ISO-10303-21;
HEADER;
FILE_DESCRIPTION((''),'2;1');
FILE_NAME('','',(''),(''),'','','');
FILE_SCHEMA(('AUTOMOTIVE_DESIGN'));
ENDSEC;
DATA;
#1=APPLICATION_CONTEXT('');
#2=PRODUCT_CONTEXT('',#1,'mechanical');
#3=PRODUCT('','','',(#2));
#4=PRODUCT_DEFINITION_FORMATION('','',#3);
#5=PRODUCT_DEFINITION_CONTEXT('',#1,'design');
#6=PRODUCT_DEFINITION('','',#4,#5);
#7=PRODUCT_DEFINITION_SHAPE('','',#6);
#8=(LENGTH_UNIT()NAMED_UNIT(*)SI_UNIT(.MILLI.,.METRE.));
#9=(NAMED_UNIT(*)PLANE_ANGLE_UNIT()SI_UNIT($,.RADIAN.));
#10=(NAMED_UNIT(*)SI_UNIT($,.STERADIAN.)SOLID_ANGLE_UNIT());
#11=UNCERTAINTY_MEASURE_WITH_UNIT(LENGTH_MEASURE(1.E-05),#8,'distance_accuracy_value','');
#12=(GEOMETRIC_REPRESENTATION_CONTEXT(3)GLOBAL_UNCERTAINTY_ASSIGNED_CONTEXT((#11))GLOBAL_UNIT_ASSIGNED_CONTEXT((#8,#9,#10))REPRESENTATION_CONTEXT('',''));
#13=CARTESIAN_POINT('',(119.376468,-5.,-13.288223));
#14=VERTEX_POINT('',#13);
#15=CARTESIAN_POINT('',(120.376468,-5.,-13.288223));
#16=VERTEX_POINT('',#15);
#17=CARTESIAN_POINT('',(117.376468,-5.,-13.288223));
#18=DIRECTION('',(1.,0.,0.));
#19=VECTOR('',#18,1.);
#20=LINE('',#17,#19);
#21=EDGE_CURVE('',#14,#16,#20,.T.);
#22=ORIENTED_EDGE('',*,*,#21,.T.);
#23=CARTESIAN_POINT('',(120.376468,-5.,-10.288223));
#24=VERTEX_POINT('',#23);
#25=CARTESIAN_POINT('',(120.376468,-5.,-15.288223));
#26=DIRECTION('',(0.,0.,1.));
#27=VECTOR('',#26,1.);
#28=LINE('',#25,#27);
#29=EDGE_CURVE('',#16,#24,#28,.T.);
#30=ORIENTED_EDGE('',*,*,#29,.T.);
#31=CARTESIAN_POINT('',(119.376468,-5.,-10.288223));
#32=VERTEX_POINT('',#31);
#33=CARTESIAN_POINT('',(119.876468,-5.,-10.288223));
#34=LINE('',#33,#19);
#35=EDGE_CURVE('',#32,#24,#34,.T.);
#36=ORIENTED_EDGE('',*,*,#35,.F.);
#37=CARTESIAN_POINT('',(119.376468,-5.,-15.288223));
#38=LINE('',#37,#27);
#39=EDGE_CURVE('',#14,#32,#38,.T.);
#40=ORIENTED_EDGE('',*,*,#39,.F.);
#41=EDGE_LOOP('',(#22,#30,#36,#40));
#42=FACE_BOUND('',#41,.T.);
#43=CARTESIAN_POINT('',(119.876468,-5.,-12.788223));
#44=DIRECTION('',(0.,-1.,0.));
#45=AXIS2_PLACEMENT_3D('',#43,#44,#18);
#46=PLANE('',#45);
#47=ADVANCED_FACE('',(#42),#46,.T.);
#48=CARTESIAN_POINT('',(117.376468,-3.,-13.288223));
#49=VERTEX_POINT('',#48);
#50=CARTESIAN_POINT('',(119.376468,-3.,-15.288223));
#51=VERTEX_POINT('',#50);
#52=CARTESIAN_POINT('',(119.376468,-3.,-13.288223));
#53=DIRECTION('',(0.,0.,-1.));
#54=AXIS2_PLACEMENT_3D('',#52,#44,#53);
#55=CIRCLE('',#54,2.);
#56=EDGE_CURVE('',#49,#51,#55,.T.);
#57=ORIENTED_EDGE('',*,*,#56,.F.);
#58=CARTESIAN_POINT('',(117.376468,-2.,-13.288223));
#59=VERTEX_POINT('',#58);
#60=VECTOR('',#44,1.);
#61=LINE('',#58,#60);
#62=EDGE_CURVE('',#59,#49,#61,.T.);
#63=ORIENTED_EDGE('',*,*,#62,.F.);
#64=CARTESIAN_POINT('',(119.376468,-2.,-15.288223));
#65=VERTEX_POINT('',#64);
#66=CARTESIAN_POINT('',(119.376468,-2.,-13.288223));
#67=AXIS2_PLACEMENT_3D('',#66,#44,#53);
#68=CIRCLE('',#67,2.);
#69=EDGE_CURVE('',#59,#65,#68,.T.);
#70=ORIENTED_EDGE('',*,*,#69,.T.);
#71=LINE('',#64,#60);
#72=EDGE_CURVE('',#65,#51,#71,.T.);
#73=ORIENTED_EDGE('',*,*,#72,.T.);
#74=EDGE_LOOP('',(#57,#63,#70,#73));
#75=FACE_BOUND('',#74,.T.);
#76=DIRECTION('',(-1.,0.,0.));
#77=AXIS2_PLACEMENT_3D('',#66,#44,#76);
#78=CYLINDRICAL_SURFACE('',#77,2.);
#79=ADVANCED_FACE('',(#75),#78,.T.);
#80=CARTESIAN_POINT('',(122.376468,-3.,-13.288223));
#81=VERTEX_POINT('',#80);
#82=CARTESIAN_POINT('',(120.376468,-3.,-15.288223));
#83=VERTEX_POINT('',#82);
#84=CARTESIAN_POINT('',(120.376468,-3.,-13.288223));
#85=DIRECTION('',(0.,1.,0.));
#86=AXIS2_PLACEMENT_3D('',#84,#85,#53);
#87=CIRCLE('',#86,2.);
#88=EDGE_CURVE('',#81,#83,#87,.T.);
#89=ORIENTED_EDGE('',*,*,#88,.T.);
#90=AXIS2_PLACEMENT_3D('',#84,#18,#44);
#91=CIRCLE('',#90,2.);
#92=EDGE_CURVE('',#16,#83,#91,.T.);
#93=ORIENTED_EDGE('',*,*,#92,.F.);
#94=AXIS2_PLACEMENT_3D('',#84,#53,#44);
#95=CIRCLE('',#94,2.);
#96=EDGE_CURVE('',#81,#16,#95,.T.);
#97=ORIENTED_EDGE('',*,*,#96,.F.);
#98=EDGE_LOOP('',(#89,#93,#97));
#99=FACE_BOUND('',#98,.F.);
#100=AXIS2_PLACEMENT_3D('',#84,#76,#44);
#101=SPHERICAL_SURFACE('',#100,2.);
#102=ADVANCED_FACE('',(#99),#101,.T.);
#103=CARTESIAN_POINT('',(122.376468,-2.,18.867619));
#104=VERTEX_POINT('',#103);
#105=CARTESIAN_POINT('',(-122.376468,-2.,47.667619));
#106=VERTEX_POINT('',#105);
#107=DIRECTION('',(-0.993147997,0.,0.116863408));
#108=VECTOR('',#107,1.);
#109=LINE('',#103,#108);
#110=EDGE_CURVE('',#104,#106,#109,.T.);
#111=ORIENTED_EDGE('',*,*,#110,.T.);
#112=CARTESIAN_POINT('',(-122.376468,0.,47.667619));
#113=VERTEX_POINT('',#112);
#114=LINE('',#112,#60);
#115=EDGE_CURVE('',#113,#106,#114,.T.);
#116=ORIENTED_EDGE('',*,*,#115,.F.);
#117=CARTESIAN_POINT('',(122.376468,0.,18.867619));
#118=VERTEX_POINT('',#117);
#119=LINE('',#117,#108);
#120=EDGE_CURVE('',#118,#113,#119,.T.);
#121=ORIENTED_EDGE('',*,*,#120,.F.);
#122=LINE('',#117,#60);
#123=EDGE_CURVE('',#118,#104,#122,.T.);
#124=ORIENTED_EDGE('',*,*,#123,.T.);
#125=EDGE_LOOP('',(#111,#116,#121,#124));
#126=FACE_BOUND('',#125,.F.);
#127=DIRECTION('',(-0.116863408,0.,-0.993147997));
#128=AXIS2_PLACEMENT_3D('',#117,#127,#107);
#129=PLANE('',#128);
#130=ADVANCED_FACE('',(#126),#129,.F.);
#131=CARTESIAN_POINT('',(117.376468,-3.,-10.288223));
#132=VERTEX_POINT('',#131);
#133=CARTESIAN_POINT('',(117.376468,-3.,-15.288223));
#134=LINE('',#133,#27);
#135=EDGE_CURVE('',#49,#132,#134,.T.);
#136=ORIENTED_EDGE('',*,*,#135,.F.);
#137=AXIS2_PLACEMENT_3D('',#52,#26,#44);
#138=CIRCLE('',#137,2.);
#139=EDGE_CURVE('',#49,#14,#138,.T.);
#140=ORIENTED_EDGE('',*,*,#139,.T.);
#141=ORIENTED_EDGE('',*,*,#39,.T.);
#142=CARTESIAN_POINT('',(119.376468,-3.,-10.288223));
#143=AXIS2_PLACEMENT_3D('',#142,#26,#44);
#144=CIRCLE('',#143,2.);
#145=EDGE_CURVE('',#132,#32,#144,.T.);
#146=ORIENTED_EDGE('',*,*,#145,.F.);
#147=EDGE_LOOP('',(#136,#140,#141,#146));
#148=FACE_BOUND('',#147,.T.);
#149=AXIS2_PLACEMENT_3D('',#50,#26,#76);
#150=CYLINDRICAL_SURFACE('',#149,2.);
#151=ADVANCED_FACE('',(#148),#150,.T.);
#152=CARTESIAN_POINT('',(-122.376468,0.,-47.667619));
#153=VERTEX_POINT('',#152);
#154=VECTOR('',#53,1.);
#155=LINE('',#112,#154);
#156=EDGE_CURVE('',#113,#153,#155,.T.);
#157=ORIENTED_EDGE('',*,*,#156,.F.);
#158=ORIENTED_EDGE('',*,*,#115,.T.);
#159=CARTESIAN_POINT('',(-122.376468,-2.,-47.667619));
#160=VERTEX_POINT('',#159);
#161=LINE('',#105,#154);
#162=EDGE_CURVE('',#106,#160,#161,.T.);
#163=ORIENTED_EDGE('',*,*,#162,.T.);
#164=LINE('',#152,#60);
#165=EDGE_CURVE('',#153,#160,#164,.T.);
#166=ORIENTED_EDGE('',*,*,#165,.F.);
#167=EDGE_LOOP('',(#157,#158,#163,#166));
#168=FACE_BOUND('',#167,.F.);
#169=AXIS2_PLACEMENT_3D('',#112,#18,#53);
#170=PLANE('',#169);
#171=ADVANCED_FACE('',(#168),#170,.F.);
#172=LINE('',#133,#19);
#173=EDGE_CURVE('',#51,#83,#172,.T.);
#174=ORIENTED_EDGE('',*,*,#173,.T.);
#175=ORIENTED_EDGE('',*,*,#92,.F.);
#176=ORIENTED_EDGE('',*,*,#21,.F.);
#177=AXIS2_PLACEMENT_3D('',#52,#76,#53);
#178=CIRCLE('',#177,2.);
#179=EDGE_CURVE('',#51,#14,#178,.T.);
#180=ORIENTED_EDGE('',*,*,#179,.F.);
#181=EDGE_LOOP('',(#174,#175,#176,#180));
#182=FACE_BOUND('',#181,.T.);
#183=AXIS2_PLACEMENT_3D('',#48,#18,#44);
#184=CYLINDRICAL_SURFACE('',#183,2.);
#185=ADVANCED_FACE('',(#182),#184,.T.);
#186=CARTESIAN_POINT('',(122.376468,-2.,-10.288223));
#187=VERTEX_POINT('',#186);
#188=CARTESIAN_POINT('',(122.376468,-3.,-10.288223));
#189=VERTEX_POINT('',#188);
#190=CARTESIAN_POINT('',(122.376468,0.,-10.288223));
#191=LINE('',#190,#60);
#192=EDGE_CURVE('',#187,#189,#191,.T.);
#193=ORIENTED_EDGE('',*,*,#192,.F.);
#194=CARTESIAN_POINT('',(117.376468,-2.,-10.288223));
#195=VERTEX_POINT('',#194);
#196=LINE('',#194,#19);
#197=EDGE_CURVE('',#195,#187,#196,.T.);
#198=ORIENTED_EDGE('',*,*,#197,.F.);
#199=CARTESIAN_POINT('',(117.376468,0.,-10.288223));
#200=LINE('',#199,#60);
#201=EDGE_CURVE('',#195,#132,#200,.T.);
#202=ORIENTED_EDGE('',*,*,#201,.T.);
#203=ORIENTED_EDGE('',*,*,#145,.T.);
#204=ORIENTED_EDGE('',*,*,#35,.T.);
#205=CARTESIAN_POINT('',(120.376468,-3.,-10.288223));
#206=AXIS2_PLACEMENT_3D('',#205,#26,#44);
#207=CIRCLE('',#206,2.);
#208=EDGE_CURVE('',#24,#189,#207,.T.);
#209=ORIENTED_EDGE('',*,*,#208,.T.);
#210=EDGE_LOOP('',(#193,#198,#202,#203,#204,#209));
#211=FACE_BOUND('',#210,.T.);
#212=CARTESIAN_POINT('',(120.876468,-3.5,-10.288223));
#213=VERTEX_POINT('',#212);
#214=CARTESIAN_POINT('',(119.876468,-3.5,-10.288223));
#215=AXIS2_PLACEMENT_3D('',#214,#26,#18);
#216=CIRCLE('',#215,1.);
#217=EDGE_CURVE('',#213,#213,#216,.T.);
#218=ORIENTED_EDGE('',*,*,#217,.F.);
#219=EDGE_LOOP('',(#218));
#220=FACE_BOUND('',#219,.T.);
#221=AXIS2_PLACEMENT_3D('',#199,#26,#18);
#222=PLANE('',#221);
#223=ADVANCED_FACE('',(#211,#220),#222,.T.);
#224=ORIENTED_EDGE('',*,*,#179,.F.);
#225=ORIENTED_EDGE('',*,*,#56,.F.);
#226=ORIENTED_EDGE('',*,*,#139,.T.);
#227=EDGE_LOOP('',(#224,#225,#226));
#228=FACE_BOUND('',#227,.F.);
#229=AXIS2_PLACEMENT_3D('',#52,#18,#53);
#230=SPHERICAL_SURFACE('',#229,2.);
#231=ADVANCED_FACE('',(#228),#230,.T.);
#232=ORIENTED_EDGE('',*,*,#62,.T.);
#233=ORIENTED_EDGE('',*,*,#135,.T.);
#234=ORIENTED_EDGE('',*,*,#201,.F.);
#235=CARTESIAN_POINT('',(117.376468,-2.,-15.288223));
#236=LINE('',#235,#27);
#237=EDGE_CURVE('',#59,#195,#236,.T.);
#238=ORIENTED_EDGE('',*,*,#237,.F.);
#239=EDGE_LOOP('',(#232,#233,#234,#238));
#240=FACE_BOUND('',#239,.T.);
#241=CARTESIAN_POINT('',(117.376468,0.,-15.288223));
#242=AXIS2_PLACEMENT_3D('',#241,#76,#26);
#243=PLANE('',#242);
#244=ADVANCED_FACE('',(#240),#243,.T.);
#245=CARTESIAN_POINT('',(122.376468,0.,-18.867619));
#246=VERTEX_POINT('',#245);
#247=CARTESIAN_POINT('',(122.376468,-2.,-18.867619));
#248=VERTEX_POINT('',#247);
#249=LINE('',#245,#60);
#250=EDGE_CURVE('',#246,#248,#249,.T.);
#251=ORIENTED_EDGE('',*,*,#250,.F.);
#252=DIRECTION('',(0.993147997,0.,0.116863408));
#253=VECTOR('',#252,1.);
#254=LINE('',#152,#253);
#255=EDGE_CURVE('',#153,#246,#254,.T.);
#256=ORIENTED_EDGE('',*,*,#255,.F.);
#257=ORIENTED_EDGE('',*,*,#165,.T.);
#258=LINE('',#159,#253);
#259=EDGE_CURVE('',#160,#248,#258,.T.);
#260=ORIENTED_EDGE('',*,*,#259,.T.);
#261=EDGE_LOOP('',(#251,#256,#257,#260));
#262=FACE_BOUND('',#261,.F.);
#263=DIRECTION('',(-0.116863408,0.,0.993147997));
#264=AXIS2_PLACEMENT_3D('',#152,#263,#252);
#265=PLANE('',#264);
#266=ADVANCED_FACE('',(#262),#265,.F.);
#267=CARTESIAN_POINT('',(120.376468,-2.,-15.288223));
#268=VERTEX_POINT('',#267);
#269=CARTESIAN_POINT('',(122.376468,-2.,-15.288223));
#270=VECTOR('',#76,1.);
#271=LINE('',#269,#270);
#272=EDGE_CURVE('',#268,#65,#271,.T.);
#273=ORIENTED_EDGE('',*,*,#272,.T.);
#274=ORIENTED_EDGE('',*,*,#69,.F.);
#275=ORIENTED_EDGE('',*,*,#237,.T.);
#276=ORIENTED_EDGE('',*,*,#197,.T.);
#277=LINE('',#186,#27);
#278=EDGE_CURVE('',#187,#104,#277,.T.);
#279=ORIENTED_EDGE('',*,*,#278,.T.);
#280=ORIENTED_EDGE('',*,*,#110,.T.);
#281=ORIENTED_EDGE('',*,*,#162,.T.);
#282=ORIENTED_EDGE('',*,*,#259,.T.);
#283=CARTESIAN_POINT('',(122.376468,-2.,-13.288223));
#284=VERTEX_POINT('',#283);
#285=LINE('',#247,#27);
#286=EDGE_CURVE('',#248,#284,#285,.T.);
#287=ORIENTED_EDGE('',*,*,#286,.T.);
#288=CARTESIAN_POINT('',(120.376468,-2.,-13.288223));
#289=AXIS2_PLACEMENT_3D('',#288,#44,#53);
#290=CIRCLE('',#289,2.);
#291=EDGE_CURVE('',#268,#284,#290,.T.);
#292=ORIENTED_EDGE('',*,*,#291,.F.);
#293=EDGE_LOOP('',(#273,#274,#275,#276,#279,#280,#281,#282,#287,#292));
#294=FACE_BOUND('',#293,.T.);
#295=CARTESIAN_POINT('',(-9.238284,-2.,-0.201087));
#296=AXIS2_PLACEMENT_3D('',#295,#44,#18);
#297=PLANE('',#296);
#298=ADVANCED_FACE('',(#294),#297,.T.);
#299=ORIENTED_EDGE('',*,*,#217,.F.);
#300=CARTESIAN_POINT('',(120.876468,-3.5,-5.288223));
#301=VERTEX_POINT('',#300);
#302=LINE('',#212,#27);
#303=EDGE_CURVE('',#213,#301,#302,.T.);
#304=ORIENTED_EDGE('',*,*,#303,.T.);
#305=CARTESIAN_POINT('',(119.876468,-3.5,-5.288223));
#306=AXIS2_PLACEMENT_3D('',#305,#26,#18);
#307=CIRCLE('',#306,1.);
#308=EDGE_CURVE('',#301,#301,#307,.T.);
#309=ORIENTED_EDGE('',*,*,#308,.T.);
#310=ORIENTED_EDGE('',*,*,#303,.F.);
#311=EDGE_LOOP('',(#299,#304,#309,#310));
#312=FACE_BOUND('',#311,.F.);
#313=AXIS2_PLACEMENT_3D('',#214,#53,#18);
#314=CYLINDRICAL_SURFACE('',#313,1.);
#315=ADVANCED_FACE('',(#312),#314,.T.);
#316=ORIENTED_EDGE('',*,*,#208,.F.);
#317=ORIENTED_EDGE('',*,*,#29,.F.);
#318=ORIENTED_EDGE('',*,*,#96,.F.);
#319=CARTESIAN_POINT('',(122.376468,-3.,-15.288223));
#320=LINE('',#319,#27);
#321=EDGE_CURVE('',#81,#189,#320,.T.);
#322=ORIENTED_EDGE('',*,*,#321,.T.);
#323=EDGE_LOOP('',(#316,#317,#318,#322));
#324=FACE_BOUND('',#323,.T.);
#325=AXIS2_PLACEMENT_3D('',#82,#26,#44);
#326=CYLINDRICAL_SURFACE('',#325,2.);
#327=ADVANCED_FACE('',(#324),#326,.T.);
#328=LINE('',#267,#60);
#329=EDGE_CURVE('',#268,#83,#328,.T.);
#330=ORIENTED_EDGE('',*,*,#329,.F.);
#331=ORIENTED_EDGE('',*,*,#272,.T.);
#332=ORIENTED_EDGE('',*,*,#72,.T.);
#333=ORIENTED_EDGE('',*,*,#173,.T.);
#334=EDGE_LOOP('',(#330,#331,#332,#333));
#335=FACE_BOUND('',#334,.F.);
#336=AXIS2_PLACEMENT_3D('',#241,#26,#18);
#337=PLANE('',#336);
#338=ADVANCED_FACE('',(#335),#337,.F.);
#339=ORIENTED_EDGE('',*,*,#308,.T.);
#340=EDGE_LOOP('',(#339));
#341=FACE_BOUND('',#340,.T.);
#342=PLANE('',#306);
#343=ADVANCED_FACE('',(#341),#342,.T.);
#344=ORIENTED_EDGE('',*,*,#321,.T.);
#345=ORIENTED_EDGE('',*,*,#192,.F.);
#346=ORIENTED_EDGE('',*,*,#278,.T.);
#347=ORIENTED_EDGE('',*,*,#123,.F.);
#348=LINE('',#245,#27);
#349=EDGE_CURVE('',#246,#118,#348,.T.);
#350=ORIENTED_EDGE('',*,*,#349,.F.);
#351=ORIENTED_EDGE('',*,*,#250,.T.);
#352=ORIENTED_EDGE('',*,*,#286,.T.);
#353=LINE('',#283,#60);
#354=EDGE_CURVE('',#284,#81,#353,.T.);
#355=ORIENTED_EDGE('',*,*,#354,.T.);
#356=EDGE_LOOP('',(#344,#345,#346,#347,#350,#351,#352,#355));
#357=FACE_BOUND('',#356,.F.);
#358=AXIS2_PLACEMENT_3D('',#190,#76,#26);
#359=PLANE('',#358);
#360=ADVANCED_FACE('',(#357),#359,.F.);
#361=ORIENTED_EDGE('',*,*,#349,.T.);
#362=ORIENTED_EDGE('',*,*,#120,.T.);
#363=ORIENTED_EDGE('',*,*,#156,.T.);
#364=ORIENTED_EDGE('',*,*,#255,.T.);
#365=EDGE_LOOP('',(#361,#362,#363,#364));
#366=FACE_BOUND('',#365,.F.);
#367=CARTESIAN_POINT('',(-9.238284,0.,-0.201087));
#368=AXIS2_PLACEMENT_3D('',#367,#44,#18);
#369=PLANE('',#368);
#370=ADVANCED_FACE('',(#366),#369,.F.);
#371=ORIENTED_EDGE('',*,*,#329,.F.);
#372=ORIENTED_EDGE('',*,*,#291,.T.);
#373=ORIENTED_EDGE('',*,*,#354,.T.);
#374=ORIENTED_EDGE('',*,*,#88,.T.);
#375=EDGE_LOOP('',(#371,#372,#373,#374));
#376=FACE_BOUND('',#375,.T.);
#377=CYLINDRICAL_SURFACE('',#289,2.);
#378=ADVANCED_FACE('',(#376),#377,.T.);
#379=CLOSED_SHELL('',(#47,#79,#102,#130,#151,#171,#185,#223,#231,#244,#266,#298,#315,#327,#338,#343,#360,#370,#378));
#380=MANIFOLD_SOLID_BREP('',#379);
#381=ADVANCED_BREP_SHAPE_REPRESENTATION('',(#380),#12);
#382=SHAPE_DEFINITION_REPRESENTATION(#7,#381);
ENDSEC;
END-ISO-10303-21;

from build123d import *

# Parameters (mm, degrees)
F1_DEPTH = 2
F0_W     = 5
F0_H     = 5
F2_DEPTH = 5
F3_R     = 1
F4_DEPTH = 5
F5_R     = 2


with BuildPart() as f1:
    # F0 (on Front) → F1 (new body)
    with BuildSketch(Plane.XZ):
        Polygon((122.376468, -10.288223), (122.376468, 18.867619), (-122.376468, 47.667619), (-122.376468, 27.667619), (-122.376468, 22.667619), (-122.376468, -47.667619), (122.376468, -18.867619), (122.376468, -15.288223), (117.376468, -15.288223), (117.376468, -10.288223), align=None)
    extrude(amount=F1_DEPTH)

    # F0 (on Front) → F2 (join)
    with BuildSketch(Plane.XZ):
        with Locations((119.876468, -12.788223)):
            Rectangle(F0_W, F0_H)
    extrude(amount=F2_DEPTH)

    # F3 (on face) → F4 (join)
    with BuildSketch(Plane.XY.offset(-10.288223)):
        with Locations((119.876468, -3.5)):
            Circle(F3_R)
    extrude(amount=F4_DEPTH)

    # F5
    f5_edges = [f1.edges().sort_by_distance(p)[0] for p in [
        (119.876468, -5, -15.288223),
        (122.376468, -5, -12.788223),
        (122.376468, -3.5, -15.288223),
        (117.376468, -3.5, -15.288223),
        (117.376468, -5, -12.788223),
    ]]
    fillet(f5_edges, radius=F5_R)


solid = f1.part
